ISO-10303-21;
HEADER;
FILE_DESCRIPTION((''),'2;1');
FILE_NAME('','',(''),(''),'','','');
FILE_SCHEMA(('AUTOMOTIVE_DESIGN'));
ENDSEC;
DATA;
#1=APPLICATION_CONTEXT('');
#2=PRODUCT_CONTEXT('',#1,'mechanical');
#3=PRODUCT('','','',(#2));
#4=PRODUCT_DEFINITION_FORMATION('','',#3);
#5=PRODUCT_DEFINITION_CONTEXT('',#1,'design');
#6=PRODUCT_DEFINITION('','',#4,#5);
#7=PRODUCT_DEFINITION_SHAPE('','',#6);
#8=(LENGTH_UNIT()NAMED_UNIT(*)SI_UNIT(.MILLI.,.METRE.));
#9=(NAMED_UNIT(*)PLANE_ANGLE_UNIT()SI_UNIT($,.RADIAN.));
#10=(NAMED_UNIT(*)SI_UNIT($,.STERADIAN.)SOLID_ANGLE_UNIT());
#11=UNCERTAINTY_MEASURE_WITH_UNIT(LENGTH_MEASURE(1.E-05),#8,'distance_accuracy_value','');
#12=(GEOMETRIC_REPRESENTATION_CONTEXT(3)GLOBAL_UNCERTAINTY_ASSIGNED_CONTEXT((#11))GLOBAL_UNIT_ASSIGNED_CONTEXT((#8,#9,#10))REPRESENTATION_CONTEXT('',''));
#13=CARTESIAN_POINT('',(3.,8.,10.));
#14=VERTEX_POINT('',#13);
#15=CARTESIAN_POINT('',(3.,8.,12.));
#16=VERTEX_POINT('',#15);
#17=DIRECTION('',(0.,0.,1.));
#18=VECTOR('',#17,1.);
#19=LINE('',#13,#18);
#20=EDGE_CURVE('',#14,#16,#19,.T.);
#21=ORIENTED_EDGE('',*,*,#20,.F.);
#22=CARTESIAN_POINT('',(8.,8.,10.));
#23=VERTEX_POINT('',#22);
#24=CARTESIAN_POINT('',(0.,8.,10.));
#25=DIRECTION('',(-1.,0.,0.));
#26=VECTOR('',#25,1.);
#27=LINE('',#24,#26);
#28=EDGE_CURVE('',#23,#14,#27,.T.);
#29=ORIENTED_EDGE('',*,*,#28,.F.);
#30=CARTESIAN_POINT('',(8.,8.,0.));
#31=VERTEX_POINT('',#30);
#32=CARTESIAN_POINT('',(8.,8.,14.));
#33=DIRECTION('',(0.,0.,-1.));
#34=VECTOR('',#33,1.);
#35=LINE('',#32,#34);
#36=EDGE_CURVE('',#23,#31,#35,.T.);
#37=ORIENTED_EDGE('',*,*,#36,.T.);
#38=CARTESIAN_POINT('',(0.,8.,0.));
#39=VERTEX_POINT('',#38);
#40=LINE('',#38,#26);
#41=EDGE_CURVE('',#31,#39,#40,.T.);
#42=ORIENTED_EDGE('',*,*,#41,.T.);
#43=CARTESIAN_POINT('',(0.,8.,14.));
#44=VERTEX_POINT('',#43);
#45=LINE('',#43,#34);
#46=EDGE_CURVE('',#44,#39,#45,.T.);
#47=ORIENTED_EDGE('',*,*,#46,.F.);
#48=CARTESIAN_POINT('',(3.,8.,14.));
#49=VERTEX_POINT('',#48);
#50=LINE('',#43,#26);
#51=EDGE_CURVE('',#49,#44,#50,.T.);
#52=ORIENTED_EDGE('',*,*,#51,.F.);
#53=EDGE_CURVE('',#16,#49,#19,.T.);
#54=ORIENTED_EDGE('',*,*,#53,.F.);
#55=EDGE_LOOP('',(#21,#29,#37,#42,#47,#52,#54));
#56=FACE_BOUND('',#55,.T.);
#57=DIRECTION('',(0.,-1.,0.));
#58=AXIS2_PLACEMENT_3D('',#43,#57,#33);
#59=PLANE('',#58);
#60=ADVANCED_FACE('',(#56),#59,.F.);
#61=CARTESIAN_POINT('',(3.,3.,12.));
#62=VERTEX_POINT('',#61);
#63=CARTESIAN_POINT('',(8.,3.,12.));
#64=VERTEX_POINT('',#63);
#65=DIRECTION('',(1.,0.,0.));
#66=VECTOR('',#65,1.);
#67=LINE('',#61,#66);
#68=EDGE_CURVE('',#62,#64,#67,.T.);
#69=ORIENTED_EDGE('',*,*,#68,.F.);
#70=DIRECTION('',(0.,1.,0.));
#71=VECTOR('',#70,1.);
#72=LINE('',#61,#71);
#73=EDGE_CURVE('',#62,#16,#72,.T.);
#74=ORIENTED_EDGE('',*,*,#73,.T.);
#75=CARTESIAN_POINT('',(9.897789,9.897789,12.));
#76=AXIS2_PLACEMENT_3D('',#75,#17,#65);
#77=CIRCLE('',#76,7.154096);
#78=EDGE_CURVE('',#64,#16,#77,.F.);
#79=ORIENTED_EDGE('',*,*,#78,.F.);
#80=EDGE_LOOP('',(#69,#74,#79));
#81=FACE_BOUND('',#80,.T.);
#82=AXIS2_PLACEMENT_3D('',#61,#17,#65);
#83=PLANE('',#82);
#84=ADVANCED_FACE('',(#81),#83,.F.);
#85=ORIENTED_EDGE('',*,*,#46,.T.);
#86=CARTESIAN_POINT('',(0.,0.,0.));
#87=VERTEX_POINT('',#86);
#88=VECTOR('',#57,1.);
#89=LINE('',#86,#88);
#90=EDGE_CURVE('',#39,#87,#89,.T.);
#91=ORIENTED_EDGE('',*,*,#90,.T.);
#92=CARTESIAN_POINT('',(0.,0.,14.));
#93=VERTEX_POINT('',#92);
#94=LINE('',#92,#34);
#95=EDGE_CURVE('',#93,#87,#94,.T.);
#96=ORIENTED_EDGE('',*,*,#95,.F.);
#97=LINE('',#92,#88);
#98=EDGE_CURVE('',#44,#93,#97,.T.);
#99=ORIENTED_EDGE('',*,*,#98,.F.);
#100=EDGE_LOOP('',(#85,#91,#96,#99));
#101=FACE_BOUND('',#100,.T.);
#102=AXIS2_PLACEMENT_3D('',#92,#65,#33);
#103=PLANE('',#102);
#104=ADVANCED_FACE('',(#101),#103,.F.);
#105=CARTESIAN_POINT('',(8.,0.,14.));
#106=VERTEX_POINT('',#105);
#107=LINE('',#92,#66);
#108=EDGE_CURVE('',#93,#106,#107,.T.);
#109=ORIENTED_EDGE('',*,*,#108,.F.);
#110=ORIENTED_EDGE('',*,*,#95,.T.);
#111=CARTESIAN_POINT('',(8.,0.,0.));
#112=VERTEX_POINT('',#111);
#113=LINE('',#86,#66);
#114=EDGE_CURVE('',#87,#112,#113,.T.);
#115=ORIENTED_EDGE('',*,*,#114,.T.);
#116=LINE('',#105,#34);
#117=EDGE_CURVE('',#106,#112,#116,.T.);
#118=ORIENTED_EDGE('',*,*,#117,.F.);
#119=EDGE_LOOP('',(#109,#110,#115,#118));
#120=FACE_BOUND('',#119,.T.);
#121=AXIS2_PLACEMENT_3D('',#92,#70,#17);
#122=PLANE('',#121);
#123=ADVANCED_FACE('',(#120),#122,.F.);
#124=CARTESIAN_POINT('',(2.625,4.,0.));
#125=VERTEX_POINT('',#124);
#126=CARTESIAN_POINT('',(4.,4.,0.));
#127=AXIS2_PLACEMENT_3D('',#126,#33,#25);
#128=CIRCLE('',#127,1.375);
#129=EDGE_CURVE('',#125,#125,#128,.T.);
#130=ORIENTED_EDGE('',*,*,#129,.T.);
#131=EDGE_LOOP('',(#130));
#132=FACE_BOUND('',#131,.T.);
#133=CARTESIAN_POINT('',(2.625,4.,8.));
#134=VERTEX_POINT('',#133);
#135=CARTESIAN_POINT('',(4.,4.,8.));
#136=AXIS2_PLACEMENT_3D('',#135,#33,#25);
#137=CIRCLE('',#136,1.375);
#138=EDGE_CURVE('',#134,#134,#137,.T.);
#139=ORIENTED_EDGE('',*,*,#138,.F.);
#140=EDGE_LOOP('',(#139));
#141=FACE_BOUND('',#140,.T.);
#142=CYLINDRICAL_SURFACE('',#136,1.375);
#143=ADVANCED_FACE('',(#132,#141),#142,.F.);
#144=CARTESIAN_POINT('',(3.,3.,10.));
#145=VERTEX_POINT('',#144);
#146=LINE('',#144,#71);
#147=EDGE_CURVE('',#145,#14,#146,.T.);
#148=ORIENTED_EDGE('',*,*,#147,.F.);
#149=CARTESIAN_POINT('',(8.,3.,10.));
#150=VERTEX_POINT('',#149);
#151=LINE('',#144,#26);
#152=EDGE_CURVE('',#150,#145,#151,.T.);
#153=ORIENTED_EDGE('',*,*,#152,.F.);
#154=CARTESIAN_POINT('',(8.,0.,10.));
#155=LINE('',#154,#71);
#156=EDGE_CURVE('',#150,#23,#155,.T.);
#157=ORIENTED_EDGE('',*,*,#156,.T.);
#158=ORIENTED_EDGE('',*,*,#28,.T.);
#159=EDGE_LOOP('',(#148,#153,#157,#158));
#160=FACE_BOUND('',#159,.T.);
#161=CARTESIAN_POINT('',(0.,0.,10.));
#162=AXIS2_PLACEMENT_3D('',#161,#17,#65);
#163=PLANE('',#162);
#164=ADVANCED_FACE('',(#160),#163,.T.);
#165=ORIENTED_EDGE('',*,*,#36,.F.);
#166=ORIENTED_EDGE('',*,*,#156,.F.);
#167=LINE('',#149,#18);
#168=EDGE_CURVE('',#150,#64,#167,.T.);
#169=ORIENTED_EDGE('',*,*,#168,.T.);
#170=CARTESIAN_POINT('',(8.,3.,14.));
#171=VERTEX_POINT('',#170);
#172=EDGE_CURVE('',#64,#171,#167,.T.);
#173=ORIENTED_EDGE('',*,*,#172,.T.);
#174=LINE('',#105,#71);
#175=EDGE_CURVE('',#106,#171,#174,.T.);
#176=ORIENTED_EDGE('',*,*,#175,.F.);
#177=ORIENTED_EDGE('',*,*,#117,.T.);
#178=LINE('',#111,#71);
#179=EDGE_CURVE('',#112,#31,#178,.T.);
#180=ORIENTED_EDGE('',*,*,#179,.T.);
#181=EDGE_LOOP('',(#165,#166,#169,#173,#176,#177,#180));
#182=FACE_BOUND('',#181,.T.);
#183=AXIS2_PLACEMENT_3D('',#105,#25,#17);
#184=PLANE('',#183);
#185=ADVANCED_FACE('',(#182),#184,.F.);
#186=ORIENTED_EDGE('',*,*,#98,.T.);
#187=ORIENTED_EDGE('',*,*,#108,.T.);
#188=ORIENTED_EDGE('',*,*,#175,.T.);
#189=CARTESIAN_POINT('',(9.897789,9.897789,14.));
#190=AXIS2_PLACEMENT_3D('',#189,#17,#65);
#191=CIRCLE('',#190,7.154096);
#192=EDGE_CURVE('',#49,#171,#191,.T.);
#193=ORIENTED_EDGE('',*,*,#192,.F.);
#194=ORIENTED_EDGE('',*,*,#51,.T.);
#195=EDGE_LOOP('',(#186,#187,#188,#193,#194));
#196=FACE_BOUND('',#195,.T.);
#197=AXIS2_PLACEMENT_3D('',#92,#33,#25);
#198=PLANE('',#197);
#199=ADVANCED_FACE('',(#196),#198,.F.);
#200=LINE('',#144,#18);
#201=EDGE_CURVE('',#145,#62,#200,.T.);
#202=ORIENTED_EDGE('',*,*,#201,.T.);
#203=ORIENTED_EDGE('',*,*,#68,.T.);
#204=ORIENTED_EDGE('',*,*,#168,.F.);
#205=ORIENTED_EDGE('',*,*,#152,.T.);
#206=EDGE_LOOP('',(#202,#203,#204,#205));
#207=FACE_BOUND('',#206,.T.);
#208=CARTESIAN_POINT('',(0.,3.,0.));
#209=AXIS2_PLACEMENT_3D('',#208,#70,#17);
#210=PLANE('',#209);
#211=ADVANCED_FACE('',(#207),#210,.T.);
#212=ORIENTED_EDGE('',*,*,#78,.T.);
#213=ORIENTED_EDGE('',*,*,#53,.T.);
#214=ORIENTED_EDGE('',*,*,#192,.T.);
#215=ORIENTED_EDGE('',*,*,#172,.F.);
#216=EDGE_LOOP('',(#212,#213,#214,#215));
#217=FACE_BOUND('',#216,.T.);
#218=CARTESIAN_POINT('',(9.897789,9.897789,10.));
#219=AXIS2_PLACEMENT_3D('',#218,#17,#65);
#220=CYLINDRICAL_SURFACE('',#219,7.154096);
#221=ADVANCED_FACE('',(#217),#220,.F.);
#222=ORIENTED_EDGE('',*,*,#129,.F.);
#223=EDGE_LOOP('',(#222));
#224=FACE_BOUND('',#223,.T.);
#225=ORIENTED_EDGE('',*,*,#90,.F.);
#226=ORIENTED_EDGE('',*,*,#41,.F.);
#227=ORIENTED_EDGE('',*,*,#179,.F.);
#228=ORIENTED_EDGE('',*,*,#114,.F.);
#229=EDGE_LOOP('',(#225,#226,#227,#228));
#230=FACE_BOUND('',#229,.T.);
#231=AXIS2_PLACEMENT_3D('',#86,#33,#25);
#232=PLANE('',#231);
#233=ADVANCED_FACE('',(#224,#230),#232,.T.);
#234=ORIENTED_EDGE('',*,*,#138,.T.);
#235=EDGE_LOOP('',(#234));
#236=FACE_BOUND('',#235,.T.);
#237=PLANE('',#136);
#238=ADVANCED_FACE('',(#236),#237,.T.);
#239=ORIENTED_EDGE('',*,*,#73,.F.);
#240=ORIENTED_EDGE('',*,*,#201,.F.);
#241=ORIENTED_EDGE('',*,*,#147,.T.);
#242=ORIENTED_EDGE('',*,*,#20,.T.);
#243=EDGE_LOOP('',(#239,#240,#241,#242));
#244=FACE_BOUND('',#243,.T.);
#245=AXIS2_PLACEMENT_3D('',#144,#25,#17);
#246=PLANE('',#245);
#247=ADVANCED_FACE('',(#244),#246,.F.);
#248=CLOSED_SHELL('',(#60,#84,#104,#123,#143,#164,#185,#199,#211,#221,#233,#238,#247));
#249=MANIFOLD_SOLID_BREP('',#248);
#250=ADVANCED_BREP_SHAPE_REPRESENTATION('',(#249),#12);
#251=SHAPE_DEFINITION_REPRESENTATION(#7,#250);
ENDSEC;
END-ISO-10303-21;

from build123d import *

# Parameters (mm, degrees)
SZKIC1_W                    = 8
SZKIC1_H                    = 8
DODANIE_WYCI_GNI_CIE1_DEPTH = 14
SZKIC3_R                    = 1.375
WYTNIJ_WYCI_GNI_CIE1_DEPTH  = 8
WYTNIJ_WYCI_GNI_CIE4_DEPTH  = 4
SZKIC7_W                    = 5
SZKIC7_H                    = 2
WYTNIJ_WYCI_GNI_CIE5_DEPTH  = 5


with BuildPart() as part:
    # Szkic1 → Dodanie-wyciągnięcie1 (new body)
    with BuildSketch(Plane.XY):
        with Locations((4, 4)):
            Rectangle(SZKIC1_W, SZKIC1_H)
    extrude(amount=DODANIE_WYCI_GNI_CIE1_DEPTH)

    # Szkic3 → Wytnij-wyciągnięcie1 (cut)
    with BuildSketch(Plane(origin=(0, 0, 0), x_dir=(-1, 0, 0), z_dir=(0, 0, -1))):
        with Locations((-4, 4)):
            Circle(SZKIC3_R)
    extrude(amount=-WYTNIJ_WYCI_GNI_CIE1_DEPTH, mode=Mode.SUBTRACT)

    # Szkic6 → Wytnij-wyciągnięcie4 (cut)
    with BuildSketch(Plane.XY.offset(14)):
        with BuildLine():
            ThreePointArc((17.051885032, 9.897788808), (8.940279558, 16.987518621), (3, 8))
            Line((3, 8), (8, 8))
            Line((8, 8), (8, 3))
            ThreePointArc((8, 3), (14.233923552, 4.207531496), (17.051885032, 9.897788808))
        make_face()
        with BuildLine():
            Line((8, 8), (3, 8))
            ThreePointArc((3, 8), (4.839078854, 4.839078854), (8, 3))
            Line((8, 3), (8, 8))
        make_face()
    extrude(amount=-WYTNIJ_WYCI_GNI_CIE4_DEPTH, mode=Mode.SUBTRACT)

    # Szkic7 → Wytnij-wyciągnięcie5 (cut)
    with BuildSketch(Plane(origin=(0, 8, 0), x_dir=(1, 0, 0), z_dir=(0, 1, 0))):
        with Locations((5.5, -11)):
            Rectangle(SZKIC7_W, SZKIC7_H)
    extrude(amount=-WYTNIJ_WYCI_GNI_CIE5_DEPTH, mode=Mode.SUBTRACT)


solid = part.part
